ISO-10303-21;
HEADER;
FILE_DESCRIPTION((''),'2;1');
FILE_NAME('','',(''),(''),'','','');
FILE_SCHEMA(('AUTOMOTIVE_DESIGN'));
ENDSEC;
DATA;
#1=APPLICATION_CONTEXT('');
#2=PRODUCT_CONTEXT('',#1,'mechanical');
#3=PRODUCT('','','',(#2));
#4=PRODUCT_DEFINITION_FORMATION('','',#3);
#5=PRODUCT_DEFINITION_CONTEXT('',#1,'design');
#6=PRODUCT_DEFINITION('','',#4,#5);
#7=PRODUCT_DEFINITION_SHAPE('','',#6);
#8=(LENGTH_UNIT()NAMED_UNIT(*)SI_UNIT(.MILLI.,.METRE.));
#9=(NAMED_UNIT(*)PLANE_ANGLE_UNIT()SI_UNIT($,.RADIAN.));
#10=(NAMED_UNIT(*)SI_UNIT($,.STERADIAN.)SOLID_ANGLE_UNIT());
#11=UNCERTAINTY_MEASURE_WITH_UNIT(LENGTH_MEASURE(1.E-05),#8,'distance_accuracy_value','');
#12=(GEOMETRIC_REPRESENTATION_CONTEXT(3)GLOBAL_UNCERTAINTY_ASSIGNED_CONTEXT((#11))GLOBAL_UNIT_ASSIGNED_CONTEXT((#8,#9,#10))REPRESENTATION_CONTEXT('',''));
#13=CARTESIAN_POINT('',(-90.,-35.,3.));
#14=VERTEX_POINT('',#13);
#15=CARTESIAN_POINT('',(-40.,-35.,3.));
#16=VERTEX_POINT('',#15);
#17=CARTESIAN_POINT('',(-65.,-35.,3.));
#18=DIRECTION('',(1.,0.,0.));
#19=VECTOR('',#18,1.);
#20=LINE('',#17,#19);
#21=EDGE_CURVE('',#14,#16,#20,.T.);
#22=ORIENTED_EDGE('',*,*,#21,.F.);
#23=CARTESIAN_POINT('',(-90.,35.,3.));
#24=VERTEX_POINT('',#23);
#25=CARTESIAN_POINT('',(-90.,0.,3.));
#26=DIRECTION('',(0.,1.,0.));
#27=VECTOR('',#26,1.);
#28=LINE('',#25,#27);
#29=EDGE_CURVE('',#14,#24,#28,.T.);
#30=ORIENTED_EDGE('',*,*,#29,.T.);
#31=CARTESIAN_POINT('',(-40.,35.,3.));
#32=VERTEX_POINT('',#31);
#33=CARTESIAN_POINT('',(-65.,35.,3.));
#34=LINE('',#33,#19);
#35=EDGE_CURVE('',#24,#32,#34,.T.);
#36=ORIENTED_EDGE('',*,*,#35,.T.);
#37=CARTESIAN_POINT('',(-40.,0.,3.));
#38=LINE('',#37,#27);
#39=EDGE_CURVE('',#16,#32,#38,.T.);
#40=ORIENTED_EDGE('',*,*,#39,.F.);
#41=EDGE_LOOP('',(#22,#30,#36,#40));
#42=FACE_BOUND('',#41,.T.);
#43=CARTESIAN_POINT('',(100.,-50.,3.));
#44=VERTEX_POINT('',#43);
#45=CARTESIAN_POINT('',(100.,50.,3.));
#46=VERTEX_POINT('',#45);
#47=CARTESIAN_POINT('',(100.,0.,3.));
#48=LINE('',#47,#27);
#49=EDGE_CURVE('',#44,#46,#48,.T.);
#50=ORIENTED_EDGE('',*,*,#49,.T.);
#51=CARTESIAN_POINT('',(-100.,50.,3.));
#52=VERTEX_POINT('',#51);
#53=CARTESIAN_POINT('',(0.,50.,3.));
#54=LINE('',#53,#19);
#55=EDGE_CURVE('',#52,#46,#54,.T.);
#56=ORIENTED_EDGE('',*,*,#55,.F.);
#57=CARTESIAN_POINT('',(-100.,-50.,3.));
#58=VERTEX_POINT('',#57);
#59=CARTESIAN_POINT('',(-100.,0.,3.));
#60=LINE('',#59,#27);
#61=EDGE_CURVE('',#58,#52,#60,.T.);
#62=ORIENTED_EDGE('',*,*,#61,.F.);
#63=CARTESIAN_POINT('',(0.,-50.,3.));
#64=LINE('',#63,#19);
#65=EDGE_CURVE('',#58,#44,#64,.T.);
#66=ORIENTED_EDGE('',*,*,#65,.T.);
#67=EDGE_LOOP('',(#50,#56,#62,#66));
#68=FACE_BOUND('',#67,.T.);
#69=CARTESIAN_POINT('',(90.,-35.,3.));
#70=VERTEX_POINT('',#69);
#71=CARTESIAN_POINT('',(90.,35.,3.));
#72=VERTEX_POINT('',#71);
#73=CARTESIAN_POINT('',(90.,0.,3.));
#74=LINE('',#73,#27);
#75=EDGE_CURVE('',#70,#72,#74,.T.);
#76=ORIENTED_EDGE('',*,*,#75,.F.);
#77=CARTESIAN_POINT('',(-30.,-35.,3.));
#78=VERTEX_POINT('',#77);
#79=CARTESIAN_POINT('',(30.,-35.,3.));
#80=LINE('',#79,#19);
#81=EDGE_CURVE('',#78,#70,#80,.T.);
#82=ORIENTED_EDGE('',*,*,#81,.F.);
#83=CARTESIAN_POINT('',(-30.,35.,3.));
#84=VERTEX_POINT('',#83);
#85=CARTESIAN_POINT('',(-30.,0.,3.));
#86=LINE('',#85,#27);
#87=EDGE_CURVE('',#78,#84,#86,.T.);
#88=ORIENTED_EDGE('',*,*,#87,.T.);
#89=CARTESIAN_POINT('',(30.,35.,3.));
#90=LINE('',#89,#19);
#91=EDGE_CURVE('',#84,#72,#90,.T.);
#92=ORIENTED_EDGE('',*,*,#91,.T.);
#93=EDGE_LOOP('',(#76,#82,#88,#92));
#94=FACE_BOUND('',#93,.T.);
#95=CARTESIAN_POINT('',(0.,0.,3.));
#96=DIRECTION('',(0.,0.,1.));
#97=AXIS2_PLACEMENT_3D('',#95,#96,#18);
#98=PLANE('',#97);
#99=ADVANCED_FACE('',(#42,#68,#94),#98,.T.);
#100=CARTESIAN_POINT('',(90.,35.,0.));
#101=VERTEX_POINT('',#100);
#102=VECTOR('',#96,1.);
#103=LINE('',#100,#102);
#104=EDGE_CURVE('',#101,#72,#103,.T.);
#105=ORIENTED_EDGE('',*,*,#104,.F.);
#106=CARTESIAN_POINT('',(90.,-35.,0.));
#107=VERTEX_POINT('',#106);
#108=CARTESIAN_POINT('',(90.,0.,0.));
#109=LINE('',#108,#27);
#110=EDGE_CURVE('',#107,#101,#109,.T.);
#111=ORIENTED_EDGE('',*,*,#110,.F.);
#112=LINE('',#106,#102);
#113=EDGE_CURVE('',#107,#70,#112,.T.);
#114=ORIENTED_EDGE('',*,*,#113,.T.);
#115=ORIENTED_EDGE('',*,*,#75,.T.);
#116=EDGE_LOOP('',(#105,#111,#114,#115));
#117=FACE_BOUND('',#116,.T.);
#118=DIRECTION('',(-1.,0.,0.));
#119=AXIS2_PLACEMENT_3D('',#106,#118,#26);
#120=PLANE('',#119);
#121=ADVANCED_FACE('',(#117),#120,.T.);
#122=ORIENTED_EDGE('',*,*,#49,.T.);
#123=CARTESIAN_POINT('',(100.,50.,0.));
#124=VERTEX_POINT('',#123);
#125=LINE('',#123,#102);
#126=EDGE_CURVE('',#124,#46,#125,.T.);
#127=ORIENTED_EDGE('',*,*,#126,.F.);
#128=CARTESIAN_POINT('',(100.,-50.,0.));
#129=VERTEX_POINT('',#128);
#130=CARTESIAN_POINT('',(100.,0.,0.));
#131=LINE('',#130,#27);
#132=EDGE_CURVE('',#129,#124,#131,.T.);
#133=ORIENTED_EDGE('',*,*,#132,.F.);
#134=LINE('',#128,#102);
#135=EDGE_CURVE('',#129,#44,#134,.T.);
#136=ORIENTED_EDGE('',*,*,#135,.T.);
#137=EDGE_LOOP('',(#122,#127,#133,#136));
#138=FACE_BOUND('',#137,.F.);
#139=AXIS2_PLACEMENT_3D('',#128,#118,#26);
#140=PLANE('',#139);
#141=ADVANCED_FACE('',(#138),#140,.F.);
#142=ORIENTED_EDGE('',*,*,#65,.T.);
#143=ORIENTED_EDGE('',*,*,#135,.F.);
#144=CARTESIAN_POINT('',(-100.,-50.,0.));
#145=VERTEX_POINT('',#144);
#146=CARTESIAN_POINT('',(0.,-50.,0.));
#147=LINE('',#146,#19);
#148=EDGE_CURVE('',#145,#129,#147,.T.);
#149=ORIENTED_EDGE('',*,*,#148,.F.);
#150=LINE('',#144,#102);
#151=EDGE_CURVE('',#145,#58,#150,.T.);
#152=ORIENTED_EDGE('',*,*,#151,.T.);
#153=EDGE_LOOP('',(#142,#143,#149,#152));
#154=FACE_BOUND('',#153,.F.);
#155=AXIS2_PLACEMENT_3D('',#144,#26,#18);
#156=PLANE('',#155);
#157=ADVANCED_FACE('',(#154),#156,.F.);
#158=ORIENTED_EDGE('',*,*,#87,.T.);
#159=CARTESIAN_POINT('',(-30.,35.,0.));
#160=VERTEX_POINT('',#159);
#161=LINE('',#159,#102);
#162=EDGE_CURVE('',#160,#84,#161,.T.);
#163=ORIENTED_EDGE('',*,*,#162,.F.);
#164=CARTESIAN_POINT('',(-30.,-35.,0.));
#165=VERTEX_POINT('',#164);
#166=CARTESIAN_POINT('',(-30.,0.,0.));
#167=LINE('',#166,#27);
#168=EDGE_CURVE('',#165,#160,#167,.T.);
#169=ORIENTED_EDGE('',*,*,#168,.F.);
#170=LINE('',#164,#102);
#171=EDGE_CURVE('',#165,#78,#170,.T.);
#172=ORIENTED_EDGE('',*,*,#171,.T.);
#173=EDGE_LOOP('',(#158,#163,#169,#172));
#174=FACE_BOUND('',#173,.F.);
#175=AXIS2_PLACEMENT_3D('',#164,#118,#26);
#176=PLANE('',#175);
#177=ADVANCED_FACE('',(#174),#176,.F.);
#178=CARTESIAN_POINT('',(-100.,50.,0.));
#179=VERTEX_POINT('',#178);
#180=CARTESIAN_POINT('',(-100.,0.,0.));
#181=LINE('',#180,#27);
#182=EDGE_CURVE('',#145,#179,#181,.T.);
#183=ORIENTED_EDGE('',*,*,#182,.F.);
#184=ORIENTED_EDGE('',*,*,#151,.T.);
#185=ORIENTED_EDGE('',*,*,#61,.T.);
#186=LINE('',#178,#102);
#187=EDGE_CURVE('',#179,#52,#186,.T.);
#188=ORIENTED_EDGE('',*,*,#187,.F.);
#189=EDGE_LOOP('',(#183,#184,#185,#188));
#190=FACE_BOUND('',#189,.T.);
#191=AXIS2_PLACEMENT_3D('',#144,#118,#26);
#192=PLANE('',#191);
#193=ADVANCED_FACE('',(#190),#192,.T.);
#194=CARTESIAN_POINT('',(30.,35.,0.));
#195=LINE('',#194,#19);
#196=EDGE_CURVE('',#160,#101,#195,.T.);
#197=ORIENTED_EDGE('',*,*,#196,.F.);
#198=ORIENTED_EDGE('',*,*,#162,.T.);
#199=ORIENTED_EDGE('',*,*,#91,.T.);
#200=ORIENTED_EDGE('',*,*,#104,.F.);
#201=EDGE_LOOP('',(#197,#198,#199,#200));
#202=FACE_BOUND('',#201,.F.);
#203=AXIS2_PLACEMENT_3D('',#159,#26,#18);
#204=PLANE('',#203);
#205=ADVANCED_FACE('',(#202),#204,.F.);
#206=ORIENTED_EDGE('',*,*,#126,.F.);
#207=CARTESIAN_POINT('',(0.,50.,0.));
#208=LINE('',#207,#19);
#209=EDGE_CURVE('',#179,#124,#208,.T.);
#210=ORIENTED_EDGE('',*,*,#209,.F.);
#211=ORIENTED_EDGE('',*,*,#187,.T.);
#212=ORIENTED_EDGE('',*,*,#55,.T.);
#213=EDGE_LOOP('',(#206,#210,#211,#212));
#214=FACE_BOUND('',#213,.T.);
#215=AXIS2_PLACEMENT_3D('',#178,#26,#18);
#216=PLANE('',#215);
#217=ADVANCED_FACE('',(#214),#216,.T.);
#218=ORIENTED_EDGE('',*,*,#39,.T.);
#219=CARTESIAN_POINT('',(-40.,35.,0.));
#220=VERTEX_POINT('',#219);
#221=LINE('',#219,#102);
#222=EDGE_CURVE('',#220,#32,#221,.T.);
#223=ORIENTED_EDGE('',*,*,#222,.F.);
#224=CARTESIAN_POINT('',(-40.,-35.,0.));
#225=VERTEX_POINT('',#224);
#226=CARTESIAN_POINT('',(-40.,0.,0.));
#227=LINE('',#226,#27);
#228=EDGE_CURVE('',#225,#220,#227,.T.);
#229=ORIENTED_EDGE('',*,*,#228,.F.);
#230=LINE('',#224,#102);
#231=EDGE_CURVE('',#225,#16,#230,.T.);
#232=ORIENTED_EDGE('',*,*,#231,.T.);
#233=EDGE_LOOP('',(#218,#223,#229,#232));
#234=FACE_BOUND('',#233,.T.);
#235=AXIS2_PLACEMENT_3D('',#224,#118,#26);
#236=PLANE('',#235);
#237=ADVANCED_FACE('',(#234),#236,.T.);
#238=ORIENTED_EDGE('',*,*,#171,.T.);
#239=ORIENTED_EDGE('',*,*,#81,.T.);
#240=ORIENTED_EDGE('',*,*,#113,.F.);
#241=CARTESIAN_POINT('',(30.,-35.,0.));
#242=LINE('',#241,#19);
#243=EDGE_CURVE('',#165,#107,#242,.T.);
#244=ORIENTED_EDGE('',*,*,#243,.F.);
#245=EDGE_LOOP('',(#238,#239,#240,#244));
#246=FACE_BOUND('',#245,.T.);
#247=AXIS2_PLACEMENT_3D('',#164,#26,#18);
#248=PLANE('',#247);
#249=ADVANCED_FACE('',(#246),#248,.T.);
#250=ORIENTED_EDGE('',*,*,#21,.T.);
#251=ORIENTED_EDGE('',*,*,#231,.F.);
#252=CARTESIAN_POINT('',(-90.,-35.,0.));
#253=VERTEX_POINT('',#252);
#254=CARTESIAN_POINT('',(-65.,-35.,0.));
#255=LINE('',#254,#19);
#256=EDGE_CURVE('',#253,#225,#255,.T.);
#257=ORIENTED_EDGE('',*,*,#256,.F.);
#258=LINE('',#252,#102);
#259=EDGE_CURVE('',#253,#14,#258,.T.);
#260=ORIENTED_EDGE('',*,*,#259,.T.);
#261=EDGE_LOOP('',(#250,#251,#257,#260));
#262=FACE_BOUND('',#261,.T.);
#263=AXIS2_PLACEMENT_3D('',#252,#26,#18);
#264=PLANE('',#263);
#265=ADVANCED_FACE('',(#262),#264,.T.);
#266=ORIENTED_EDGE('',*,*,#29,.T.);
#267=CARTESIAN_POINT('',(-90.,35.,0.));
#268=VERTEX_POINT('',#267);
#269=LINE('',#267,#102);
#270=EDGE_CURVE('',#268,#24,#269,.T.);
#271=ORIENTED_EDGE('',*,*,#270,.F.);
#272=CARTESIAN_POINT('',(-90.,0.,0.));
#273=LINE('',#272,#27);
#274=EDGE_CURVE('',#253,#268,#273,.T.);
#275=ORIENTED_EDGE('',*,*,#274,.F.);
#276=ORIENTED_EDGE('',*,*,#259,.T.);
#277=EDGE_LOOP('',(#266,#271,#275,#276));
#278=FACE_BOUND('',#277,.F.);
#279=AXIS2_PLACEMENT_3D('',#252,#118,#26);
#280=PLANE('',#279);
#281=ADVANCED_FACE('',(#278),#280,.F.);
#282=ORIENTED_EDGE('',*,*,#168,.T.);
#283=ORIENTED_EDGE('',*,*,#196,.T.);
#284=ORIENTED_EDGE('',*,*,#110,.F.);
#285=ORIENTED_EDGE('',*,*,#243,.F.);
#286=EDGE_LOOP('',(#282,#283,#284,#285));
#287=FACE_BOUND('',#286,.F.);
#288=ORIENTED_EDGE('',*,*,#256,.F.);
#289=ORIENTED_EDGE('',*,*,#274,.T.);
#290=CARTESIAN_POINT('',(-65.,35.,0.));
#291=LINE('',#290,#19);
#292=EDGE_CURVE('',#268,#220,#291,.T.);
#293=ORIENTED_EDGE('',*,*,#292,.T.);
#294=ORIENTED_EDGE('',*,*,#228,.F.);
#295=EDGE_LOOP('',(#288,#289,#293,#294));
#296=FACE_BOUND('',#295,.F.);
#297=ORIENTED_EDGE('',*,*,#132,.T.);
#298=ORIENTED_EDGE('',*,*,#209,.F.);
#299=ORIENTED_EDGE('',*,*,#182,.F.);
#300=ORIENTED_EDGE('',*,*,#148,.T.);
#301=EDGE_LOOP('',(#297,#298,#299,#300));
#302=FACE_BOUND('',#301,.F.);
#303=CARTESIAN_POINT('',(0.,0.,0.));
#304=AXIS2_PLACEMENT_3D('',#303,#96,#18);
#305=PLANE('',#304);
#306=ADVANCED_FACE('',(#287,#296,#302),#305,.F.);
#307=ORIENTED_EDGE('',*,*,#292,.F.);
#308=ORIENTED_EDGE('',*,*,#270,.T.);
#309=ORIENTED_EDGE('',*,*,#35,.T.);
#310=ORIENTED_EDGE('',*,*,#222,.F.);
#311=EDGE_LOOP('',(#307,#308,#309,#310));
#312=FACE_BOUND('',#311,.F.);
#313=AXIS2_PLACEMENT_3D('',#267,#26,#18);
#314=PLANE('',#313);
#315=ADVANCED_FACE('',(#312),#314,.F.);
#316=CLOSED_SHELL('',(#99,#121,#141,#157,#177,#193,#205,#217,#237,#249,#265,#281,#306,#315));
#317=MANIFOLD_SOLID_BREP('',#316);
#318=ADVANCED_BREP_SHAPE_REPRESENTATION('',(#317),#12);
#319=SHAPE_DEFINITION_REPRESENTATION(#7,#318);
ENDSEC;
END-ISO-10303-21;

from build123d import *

# Parameters (mm, degrees)
F0_W     = 200
F0_H     = 100
F0_W_2   = 50
F0_H_2   = 70
F0_W_3   = 120
F1_DEPTH = 3


with BuildPart() as f1:
    # F0 (on Top) → F1 (new body)
    with BuildSketch(Plane.XY):
        Rectangle(F0_W, F0_H)
        with Locations((-65, 0)):
            Rectangle(F0_W_2, F0_H_2, mode=Mode.SUBTRACT)
        with Locations((30, 0)):
            Rectangle(F0_W_3, F0_H_2, mode=Mode.SUBTRACT)
    extrude(amount=F1_DEPTH)


solid = f1.part
